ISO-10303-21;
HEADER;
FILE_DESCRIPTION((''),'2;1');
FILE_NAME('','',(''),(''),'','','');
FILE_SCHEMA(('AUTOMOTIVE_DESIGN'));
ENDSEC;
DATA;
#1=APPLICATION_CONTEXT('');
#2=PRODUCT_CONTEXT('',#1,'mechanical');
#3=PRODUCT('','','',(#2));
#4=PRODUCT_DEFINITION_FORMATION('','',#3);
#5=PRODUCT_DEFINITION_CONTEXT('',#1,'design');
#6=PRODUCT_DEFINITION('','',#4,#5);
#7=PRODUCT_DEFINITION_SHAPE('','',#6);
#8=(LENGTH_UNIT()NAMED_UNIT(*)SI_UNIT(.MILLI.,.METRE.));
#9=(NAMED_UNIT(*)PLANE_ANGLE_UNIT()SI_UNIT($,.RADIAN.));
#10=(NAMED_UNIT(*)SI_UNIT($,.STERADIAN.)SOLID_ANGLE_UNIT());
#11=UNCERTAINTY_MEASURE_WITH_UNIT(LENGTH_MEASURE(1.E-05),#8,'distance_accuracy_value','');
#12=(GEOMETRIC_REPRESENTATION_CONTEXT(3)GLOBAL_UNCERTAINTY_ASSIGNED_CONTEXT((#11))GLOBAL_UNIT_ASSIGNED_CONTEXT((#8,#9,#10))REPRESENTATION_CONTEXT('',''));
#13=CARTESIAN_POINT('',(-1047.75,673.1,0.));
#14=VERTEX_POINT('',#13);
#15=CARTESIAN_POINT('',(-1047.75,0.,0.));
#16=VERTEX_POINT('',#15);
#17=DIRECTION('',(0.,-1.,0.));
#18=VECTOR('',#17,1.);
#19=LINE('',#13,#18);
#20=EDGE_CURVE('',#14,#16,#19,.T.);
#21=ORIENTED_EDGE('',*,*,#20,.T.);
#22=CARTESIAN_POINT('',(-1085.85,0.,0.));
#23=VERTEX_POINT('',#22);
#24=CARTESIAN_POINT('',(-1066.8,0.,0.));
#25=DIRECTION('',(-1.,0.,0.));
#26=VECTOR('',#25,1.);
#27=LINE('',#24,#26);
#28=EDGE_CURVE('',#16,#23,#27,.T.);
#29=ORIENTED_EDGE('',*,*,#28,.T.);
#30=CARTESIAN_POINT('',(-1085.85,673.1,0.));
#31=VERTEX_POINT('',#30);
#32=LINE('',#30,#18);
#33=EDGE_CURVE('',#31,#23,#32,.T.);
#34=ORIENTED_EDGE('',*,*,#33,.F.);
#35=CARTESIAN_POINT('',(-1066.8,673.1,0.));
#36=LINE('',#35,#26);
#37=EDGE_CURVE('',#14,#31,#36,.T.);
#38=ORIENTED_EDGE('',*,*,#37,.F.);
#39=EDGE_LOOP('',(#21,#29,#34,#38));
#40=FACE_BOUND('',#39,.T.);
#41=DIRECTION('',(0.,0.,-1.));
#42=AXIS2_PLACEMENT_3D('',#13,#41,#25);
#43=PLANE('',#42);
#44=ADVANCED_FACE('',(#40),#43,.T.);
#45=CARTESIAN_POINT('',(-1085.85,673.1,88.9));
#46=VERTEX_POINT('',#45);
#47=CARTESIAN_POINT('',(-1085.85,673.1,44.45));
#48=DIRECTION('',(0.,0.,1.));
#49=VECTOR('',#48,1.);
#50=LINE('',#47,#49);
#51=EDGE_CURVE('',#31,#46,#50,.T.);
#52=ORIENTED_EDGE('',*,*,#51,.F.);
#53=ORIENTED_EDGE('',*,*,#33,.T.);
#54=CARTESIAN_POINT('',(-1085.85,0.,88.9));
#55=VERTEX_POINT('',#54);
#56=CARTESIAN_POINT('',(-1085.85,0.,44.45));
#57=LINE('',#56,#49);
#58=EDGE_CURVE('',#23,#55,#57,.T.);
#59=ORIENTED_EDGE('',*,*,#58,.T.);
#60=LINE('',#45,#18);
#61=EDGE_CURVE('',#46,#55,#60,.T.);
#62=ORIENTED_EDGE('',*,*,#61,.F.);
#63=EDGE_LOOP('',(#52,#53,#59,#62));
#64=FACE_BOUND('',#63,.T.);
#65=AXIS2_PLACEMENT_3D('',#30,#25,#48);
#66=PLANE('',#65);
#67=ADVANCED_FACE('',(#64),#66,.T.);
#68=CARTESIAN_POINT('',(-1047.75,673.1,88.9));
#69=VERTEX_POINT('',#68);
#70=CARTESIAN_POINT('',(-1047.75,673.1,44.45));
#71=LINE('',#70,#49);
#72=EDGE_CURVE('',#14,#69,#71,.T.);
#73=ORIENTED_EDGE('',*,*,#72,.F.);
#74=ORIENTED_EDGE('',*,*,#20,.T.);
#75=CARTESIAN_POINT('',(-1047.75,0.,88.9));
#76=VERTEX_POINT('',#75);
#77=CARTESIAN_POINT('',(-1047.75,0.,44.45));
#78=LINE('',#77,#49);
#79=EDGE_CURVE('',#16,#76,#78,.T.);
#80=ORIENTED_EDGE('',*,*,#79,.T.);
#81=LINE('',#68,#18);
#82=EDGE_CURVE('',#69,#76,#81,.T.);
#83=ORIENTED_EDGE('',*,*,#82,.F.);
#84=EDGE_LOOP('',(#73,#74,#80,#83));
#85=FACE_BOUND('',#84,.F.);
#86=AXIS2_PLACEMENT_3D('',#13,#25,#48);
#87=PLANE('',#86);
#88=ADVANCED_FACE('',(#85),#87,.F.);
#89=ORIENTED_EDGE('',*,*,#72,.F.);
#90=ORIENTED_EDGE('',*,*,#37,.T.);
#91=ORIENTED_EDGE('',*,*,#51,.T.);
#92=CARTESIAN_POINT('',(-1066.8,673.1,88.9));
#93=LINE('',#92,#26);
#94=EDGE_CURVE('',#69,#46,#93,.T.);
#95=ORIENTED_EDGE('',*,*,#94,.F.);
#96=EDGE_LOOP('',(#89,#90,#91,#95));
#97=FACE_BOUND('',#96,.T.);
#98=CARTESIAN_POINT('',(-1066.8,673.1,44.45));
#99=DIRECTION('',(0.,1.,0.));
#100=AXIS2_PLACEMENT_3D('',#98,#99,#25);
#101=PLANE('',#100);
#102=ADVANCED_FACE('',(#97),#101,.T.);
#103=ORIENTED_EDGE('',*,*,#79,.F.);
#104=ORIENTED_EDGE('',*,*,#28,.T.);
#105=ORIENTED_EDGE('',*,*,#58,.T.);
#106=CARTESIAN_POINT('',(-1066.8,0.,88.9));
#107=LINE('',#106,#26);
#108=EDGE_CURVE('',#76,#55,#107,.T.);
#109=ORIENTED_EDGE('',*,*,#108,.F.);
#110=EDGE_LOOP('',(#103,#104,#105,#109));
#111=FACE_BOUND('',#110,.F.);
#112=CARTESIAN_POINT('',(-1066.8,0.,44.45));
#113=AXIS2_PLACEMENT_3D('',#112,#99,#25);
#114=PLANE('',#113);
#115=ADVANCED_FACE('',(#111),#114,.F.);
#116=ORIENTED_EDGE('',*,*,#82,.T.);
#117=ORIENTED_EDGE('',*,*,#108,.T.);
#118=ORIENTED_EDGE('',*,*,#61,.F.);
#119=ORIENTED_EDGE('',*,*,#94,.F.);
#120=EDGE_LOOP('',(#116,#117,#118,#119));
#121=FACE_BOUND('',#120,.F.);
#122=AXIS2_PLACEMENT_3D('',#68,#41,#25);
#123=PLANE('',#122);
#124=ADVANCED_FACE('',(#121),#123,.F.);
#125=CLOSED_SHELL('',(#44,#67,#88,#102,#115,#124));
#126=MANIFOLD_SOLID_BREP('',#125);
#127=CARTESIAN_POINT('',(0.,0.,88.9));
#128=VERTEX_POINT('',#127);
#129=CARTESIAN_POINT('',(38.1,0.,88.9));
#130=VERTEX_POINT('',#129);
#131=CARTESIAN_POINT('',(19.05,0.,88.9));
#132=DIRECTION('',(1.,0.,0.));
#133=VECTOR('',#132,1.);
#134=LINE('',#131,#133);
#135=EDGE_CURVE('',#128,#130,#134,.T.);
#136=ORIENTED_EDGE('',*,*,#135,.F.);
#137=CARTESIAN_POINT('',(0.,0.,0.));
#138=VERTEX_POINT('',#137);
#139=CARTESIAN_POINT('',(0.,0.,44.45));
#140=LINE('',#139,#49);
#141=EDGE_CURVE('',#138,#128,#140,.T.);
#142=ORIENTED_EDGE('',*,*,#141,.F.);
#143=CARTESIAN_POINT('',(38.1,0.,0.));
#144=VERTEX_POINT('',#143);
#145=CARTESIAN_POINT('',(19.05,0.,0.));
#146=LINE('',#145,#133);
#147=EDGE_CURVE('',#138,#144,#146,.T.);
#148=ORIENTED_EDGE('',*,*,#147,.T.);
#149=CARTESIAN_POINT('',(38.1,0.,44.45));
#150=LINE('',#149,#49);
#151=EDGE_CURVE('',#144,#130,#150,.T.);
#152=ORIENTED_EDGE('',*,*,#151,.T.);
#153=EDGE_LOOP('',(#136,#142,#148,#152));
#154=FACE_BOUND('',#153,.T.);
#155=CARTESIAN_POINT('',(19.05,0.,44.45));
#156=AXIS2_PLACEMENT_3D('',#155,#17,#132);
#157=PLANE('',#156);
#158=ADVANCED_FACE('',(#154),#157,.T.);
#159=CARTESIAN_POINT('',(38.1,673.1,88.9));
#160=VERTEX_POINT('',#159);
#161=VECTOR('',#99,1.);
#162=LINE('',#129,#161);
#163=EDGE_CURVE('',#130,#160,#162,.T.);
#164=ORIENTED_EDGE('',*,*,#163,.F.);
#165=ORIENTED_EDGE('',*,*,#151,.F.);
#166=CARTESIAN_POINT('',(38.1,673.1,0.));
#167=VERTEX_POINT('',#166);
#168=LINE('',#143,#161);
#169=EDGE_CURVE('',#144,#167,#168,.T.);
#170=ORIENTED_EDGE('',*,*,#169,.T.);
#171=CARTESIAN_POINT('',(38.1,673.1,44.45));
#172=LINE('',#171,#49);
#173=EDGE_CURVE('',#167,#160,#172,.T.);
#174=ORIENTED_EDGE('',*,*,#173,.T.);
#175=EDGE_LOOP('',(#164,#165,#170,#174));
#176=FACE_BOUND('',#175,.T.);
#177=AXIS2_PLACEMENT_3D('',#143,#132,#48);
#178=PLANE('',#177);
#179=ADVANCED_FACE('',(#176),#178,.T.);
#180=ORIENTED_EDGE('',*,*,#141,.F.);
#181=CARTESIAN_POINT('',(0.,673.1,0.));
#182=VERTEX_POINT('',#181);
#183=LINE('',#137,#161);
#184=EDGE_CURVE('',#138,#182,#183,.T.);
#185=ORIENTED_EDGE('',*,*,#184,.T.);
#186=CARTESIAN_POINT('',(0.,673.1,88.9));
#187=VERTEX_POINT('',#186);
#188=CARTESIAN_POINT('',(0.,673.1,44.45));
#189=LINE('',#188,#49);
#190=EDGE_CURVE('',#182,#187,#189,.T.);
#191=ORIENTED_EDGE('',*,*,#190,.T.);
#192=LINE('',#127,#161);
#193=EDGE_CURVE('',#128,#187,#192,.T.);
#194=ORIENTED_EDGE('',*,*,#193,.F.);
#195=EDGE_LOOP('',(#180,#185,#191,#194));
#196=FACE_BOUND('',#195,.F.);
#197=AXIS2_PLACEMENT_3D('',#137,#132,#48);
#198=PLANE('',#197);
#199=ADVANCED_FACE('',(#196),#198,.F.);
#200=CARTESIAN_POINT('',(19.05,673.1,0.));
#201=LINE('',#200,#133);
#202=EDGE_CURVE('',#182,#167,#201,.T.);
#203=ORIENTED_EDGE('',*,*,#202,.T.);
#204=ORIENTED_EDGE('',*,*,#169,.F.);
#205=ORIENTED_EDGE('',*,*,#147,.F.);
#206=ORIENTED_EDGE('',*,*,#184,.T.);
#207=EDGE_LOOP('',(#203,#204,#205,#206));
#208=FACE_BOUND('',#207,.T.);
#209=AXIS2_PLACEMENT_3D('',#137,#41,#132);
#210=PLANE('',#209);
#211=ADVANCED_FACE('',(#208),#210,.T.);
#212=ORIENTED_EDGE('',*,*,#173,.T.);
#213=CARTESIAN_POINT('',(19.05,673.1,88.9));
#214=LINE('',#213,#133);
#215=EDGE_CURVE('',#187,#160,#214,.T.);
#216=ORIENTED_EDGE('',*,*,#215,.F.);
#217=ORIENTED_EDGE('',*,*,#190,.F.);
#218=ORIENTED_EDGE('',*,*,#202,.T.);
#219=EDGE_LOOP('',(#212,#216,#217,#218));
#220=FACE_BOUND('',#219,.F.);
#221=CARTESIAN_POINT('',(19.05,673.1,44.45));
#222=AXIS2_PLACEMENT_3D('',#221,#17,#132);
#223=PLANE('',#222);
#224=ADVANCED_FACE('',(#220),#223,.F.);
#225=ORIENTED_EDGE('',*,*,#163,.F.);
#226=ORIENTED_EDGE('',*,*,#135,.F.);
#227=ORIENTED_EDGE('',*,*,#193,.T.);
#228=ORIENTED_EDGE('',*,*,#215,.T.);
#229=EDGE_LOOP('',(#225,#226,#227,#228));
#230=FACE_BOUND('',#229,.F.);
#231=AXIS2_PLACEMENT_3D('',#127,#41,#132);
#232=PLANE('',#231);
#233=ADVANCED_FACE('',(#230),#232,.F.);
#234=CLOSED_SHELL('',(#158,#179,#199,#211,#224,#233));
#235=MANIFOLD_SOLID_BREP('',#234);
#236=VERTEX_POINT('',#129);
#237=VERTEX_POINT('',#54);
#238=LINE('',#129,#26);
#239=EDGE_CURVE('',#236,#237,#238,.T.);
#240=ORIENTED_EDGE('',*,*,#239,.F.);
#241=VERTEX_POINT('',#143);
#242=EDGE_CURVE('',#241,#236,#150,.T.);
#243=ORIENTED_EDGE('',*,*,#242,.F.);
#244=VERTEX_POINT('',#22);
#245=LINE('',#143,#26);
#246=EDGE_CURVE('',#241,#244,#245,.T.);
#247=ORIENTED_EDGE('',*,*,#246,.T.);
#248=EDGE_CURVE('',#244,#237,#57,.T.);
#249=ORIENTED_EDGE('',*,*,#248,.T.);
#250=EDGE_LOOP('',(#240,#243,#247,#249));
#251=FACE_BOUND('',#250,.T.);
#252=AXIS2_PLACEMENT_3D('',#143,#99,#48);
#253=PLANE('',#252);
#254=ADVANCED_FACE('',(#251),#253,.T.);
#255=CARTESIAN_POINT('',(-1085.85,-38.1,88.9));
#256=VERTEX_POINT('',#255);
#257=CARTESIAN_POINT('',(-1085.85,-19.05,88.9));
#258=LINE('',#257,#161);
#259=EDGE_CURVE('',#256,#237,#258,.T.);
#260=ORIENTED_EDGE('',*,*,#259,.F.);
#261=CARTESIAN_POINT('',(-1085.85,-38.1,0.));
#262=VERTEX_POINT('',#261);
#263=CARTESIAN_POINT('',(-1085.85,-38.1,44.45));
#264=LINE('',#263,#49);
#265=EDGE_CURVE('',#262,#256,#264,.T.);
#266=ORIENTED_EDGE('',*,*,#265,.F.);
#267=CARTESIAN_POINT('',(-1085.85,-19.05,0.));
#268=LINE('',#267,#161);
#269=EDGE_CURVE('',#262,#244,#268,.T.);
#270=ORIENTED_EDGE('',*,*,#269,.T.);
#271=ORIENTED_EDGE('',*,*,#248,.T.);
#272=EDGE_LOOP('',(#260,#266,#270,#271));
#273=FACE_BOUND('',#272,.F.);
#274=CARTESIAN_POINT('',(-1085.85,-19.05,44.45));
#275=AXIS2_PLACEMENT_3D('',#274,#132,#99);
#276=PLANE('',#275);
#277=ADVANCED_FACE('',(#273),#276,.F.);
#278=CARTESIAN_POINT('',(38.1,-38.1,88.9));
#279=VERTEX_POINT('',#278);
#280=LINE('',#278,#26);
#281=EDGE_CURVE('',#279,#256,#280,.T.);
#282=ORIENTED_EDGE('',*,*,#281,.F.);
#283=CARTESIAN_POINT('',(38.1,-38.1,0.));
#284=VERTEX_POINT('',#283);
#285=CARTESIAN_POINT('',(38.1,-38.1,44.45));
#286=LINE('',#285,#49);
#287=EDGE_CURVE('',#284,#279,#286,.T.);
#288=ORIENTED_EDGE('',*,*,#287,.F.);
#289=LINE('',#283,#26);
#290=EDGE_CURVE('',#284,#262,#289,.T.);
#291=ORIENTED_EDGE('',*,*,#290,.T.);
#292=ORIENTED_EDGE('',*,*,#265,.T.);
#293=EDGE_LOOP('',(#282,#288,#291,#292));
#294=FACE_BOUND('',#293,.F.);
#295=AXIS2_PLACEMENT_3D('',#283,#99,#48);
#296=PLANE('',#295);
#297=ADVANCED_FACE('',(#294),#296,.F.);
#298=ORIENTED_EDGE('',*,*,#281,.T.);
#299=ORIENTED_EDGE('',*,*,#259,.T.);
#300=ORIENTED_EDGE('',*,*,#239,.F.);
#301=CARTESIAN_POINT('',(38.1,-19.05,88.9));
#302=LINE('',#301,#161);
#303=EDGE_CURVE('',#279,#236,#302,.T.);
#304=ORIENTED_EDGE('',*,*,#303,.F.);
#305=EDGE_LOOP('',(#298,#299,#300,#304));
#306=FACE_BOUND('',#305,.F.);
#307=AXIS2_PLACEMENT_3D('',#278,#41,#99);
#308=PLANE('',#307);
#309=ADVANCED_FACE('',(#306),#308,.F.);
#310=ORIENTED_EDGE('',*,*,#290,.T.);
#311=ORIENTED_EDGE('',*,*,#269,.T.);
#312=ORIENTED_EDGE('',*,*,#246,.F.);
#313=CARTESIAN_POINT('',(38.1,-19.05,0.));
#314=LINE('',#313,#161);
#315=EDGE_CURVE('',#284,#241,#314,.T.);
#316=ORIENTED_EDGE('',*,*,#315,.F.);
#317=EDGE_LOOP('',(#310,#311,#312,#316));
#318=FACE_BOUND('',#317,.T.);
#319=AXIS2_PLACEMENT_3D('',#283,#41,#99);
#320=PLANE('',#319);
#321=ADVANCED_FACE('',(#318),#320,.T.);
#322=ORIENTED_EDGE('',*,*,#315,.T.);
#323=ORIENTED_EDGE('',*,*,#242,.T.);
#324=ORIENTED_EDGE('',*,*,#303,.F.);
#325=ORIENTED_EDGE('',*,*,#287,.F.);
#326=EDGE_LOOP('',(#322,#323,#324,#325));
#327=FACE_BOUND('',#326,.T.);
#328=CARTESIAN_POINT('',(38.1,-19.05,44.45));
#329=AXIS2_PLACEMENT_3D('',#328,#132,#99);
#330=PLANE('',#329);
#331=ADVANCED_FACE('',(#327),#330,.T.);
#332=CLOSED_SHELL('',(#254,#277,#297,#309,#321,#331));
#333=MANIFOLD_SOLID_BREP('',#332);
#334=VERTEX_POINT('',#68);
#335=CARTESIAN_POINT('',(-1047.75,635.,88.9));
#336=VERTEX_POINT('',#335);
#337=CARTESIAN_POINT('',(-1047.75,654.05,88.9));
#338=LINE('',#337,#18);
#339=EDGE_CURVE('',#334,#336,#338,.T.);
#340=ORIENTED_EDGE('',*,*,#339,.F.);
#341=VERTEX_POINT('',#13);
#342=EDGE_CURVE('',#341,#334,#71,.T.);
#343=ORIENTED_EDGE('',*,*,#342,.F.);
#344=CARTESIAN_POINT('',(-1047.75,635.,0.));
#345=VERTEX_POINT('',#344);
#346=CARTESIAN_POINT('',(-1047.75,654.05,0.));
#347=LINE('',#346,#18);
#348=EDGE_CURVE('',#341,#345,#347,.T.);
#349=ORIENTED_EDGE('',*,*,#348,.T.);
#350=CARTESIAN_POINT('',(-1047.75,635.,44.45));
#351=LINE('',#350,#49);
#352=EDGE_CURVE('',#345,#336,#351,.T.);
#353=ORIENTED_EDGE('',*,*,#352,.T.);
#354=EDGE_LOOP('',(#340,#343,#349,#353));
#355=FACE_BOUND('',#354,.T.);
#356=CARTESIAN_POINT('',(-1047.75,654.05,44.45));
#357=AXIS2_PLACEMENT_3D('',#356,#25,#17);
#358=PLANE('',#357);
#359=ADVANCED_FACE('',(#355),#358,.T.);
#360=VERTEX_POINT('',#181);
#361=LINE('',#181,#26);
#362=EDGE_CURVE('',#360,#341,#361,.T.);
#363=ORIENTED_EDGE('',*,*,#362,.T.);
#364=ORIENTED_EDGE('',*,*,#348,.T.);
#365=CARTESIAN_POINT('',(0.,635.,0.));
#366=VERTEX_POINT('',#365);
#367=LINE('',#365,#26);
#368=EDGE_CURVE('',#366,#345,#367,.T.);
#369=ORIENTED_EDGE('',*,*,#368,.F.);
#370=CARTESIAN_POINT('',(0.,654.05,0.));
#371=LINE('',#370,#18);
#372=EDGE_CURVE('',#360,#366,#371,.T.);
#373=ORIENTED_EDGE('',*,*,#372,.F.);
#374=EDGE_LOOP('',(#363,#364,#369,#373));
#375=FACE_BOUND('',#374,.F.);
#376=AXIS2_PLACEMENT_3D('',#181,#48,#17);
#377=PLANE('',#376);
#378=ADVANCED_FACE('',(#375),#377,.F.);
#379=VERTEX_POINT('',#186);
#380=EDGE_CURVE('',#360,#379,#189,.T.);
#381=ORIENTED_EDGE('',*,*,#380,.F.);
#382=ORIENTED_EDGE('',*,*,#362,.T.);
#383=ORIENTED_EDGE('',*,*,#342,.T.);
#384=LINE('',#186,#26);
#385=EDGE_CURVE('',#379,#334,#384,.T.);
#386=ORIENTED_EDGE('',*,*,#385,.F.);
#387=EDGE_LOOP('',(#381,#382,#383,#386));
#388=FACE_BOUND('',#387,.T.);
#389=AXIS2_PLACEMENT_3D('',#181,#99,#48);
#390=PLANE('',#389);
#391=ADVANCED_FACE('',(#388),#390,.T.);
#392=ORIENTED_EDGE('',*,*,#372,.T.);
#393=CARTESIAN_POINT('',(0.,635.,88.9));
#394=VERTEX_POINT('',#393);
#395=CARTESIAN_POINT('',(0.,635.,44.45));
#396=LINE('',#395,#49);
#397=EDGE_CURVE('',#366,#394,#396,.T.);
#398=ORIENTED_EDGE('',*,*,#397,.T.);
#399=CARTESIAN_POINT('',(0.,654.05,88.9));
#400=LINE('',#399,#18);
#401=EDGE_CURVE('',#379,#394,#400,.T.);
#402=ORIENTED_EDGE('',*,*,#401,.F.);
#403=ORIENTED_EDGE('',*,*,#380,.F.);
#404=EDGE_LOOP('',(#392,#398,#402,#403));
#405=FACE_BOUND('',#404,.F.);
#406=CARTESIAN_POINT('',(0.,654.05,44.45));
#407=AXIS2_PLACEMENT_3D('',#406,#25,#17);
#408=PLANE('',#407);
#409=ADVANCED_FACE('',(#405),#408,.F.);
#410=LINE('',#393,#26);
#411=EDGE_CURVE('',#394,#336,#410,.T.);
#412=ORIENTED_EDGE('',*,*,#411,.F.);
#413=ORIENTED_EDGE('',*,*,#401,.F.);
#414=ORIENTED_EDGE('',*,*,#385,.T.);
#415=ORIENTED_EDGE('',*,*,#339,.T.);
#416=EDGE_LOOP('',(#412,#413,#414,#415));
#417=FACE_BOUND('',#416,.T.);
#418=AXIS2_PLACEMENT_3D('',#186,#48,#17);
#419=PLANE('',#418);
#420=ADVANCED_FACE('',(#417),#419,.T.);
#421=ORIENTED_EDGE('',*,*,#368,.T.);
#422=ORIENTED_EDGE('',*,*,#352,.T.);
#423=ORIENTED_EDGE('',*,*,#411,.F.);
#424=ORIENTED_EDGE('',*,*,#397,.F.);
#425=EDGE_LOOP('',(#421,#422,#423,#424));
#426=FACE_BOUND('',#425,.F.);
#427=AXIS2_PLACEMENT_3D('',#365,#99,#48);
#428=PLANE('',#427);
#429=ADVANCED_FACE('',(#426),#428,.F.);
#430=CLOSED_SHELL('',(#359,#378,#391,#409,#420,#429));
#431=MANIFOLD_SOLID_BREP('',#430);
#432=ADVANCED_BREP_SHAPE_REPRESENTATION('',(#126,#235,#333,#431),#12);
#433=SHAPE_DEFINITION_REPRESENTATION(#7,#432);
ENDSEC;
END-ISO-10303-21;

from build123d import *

# Parameters (mm, degrees)
F0_W     = 38.1
F0_H     = 88.9
F1_DEPTH = 673.1
F2_W     = 38.1
F2_H     = 88.9
F3_DEPTH = 1047.75
F4_W     = 38.1
F4_H     = 88.9
F5_DEPTH = 673.1
F6_W     = 38.1
F6_H     = 88.9
F7_DEPTH = 1123.95


with BuildPart() as f1:
    # F0 (on Front) → F1 (new body)
    with BuildSketch(Plane.XZ):
        with Locations((19.05, 44.45)):
            Rectangle(F0_W, F0_H)
    extrude(amount=-F1_DEPTH)


with BuildPart() as f3:
    # F2 (on face) → F3 (new body)
    with BuildSketch(Plane(origin=(0, 0, 0), x_dir=(0, -1, 0), z_dir=(-1, 0, 0))):
        with Locations((-654.05, 44.45)):
            Rectangle(F2_W, F2_H)
    extrude(amount=F3_DEPTH)


with BuildPart() as f5:
    # F4 (on face) → F5 (new body, through all)
    with BuildSketch(Plane(origin=(0, 673.1, 0), x_dir=(-1, 0, 0), z_dir=(0, 1, 0))):
        with Locations((1066.8, 44.45)):
            Rectangle(F4_W, F4_H)
    extrude(amount=-F5_DEPTH)


with BuildPart() as f7:
    # F6 (on face) → F7 (new body, through all)
    with BuildSketch(Plane.YZ.offset(38.1)):
        with Locations((-19.05, 44.45)):
            Rectangle(F6_W, F6_H)
    extrude(amount=-F7_DEPTH)


solid = Compound([f1.part, f3.part, f5.part, f7.part])
